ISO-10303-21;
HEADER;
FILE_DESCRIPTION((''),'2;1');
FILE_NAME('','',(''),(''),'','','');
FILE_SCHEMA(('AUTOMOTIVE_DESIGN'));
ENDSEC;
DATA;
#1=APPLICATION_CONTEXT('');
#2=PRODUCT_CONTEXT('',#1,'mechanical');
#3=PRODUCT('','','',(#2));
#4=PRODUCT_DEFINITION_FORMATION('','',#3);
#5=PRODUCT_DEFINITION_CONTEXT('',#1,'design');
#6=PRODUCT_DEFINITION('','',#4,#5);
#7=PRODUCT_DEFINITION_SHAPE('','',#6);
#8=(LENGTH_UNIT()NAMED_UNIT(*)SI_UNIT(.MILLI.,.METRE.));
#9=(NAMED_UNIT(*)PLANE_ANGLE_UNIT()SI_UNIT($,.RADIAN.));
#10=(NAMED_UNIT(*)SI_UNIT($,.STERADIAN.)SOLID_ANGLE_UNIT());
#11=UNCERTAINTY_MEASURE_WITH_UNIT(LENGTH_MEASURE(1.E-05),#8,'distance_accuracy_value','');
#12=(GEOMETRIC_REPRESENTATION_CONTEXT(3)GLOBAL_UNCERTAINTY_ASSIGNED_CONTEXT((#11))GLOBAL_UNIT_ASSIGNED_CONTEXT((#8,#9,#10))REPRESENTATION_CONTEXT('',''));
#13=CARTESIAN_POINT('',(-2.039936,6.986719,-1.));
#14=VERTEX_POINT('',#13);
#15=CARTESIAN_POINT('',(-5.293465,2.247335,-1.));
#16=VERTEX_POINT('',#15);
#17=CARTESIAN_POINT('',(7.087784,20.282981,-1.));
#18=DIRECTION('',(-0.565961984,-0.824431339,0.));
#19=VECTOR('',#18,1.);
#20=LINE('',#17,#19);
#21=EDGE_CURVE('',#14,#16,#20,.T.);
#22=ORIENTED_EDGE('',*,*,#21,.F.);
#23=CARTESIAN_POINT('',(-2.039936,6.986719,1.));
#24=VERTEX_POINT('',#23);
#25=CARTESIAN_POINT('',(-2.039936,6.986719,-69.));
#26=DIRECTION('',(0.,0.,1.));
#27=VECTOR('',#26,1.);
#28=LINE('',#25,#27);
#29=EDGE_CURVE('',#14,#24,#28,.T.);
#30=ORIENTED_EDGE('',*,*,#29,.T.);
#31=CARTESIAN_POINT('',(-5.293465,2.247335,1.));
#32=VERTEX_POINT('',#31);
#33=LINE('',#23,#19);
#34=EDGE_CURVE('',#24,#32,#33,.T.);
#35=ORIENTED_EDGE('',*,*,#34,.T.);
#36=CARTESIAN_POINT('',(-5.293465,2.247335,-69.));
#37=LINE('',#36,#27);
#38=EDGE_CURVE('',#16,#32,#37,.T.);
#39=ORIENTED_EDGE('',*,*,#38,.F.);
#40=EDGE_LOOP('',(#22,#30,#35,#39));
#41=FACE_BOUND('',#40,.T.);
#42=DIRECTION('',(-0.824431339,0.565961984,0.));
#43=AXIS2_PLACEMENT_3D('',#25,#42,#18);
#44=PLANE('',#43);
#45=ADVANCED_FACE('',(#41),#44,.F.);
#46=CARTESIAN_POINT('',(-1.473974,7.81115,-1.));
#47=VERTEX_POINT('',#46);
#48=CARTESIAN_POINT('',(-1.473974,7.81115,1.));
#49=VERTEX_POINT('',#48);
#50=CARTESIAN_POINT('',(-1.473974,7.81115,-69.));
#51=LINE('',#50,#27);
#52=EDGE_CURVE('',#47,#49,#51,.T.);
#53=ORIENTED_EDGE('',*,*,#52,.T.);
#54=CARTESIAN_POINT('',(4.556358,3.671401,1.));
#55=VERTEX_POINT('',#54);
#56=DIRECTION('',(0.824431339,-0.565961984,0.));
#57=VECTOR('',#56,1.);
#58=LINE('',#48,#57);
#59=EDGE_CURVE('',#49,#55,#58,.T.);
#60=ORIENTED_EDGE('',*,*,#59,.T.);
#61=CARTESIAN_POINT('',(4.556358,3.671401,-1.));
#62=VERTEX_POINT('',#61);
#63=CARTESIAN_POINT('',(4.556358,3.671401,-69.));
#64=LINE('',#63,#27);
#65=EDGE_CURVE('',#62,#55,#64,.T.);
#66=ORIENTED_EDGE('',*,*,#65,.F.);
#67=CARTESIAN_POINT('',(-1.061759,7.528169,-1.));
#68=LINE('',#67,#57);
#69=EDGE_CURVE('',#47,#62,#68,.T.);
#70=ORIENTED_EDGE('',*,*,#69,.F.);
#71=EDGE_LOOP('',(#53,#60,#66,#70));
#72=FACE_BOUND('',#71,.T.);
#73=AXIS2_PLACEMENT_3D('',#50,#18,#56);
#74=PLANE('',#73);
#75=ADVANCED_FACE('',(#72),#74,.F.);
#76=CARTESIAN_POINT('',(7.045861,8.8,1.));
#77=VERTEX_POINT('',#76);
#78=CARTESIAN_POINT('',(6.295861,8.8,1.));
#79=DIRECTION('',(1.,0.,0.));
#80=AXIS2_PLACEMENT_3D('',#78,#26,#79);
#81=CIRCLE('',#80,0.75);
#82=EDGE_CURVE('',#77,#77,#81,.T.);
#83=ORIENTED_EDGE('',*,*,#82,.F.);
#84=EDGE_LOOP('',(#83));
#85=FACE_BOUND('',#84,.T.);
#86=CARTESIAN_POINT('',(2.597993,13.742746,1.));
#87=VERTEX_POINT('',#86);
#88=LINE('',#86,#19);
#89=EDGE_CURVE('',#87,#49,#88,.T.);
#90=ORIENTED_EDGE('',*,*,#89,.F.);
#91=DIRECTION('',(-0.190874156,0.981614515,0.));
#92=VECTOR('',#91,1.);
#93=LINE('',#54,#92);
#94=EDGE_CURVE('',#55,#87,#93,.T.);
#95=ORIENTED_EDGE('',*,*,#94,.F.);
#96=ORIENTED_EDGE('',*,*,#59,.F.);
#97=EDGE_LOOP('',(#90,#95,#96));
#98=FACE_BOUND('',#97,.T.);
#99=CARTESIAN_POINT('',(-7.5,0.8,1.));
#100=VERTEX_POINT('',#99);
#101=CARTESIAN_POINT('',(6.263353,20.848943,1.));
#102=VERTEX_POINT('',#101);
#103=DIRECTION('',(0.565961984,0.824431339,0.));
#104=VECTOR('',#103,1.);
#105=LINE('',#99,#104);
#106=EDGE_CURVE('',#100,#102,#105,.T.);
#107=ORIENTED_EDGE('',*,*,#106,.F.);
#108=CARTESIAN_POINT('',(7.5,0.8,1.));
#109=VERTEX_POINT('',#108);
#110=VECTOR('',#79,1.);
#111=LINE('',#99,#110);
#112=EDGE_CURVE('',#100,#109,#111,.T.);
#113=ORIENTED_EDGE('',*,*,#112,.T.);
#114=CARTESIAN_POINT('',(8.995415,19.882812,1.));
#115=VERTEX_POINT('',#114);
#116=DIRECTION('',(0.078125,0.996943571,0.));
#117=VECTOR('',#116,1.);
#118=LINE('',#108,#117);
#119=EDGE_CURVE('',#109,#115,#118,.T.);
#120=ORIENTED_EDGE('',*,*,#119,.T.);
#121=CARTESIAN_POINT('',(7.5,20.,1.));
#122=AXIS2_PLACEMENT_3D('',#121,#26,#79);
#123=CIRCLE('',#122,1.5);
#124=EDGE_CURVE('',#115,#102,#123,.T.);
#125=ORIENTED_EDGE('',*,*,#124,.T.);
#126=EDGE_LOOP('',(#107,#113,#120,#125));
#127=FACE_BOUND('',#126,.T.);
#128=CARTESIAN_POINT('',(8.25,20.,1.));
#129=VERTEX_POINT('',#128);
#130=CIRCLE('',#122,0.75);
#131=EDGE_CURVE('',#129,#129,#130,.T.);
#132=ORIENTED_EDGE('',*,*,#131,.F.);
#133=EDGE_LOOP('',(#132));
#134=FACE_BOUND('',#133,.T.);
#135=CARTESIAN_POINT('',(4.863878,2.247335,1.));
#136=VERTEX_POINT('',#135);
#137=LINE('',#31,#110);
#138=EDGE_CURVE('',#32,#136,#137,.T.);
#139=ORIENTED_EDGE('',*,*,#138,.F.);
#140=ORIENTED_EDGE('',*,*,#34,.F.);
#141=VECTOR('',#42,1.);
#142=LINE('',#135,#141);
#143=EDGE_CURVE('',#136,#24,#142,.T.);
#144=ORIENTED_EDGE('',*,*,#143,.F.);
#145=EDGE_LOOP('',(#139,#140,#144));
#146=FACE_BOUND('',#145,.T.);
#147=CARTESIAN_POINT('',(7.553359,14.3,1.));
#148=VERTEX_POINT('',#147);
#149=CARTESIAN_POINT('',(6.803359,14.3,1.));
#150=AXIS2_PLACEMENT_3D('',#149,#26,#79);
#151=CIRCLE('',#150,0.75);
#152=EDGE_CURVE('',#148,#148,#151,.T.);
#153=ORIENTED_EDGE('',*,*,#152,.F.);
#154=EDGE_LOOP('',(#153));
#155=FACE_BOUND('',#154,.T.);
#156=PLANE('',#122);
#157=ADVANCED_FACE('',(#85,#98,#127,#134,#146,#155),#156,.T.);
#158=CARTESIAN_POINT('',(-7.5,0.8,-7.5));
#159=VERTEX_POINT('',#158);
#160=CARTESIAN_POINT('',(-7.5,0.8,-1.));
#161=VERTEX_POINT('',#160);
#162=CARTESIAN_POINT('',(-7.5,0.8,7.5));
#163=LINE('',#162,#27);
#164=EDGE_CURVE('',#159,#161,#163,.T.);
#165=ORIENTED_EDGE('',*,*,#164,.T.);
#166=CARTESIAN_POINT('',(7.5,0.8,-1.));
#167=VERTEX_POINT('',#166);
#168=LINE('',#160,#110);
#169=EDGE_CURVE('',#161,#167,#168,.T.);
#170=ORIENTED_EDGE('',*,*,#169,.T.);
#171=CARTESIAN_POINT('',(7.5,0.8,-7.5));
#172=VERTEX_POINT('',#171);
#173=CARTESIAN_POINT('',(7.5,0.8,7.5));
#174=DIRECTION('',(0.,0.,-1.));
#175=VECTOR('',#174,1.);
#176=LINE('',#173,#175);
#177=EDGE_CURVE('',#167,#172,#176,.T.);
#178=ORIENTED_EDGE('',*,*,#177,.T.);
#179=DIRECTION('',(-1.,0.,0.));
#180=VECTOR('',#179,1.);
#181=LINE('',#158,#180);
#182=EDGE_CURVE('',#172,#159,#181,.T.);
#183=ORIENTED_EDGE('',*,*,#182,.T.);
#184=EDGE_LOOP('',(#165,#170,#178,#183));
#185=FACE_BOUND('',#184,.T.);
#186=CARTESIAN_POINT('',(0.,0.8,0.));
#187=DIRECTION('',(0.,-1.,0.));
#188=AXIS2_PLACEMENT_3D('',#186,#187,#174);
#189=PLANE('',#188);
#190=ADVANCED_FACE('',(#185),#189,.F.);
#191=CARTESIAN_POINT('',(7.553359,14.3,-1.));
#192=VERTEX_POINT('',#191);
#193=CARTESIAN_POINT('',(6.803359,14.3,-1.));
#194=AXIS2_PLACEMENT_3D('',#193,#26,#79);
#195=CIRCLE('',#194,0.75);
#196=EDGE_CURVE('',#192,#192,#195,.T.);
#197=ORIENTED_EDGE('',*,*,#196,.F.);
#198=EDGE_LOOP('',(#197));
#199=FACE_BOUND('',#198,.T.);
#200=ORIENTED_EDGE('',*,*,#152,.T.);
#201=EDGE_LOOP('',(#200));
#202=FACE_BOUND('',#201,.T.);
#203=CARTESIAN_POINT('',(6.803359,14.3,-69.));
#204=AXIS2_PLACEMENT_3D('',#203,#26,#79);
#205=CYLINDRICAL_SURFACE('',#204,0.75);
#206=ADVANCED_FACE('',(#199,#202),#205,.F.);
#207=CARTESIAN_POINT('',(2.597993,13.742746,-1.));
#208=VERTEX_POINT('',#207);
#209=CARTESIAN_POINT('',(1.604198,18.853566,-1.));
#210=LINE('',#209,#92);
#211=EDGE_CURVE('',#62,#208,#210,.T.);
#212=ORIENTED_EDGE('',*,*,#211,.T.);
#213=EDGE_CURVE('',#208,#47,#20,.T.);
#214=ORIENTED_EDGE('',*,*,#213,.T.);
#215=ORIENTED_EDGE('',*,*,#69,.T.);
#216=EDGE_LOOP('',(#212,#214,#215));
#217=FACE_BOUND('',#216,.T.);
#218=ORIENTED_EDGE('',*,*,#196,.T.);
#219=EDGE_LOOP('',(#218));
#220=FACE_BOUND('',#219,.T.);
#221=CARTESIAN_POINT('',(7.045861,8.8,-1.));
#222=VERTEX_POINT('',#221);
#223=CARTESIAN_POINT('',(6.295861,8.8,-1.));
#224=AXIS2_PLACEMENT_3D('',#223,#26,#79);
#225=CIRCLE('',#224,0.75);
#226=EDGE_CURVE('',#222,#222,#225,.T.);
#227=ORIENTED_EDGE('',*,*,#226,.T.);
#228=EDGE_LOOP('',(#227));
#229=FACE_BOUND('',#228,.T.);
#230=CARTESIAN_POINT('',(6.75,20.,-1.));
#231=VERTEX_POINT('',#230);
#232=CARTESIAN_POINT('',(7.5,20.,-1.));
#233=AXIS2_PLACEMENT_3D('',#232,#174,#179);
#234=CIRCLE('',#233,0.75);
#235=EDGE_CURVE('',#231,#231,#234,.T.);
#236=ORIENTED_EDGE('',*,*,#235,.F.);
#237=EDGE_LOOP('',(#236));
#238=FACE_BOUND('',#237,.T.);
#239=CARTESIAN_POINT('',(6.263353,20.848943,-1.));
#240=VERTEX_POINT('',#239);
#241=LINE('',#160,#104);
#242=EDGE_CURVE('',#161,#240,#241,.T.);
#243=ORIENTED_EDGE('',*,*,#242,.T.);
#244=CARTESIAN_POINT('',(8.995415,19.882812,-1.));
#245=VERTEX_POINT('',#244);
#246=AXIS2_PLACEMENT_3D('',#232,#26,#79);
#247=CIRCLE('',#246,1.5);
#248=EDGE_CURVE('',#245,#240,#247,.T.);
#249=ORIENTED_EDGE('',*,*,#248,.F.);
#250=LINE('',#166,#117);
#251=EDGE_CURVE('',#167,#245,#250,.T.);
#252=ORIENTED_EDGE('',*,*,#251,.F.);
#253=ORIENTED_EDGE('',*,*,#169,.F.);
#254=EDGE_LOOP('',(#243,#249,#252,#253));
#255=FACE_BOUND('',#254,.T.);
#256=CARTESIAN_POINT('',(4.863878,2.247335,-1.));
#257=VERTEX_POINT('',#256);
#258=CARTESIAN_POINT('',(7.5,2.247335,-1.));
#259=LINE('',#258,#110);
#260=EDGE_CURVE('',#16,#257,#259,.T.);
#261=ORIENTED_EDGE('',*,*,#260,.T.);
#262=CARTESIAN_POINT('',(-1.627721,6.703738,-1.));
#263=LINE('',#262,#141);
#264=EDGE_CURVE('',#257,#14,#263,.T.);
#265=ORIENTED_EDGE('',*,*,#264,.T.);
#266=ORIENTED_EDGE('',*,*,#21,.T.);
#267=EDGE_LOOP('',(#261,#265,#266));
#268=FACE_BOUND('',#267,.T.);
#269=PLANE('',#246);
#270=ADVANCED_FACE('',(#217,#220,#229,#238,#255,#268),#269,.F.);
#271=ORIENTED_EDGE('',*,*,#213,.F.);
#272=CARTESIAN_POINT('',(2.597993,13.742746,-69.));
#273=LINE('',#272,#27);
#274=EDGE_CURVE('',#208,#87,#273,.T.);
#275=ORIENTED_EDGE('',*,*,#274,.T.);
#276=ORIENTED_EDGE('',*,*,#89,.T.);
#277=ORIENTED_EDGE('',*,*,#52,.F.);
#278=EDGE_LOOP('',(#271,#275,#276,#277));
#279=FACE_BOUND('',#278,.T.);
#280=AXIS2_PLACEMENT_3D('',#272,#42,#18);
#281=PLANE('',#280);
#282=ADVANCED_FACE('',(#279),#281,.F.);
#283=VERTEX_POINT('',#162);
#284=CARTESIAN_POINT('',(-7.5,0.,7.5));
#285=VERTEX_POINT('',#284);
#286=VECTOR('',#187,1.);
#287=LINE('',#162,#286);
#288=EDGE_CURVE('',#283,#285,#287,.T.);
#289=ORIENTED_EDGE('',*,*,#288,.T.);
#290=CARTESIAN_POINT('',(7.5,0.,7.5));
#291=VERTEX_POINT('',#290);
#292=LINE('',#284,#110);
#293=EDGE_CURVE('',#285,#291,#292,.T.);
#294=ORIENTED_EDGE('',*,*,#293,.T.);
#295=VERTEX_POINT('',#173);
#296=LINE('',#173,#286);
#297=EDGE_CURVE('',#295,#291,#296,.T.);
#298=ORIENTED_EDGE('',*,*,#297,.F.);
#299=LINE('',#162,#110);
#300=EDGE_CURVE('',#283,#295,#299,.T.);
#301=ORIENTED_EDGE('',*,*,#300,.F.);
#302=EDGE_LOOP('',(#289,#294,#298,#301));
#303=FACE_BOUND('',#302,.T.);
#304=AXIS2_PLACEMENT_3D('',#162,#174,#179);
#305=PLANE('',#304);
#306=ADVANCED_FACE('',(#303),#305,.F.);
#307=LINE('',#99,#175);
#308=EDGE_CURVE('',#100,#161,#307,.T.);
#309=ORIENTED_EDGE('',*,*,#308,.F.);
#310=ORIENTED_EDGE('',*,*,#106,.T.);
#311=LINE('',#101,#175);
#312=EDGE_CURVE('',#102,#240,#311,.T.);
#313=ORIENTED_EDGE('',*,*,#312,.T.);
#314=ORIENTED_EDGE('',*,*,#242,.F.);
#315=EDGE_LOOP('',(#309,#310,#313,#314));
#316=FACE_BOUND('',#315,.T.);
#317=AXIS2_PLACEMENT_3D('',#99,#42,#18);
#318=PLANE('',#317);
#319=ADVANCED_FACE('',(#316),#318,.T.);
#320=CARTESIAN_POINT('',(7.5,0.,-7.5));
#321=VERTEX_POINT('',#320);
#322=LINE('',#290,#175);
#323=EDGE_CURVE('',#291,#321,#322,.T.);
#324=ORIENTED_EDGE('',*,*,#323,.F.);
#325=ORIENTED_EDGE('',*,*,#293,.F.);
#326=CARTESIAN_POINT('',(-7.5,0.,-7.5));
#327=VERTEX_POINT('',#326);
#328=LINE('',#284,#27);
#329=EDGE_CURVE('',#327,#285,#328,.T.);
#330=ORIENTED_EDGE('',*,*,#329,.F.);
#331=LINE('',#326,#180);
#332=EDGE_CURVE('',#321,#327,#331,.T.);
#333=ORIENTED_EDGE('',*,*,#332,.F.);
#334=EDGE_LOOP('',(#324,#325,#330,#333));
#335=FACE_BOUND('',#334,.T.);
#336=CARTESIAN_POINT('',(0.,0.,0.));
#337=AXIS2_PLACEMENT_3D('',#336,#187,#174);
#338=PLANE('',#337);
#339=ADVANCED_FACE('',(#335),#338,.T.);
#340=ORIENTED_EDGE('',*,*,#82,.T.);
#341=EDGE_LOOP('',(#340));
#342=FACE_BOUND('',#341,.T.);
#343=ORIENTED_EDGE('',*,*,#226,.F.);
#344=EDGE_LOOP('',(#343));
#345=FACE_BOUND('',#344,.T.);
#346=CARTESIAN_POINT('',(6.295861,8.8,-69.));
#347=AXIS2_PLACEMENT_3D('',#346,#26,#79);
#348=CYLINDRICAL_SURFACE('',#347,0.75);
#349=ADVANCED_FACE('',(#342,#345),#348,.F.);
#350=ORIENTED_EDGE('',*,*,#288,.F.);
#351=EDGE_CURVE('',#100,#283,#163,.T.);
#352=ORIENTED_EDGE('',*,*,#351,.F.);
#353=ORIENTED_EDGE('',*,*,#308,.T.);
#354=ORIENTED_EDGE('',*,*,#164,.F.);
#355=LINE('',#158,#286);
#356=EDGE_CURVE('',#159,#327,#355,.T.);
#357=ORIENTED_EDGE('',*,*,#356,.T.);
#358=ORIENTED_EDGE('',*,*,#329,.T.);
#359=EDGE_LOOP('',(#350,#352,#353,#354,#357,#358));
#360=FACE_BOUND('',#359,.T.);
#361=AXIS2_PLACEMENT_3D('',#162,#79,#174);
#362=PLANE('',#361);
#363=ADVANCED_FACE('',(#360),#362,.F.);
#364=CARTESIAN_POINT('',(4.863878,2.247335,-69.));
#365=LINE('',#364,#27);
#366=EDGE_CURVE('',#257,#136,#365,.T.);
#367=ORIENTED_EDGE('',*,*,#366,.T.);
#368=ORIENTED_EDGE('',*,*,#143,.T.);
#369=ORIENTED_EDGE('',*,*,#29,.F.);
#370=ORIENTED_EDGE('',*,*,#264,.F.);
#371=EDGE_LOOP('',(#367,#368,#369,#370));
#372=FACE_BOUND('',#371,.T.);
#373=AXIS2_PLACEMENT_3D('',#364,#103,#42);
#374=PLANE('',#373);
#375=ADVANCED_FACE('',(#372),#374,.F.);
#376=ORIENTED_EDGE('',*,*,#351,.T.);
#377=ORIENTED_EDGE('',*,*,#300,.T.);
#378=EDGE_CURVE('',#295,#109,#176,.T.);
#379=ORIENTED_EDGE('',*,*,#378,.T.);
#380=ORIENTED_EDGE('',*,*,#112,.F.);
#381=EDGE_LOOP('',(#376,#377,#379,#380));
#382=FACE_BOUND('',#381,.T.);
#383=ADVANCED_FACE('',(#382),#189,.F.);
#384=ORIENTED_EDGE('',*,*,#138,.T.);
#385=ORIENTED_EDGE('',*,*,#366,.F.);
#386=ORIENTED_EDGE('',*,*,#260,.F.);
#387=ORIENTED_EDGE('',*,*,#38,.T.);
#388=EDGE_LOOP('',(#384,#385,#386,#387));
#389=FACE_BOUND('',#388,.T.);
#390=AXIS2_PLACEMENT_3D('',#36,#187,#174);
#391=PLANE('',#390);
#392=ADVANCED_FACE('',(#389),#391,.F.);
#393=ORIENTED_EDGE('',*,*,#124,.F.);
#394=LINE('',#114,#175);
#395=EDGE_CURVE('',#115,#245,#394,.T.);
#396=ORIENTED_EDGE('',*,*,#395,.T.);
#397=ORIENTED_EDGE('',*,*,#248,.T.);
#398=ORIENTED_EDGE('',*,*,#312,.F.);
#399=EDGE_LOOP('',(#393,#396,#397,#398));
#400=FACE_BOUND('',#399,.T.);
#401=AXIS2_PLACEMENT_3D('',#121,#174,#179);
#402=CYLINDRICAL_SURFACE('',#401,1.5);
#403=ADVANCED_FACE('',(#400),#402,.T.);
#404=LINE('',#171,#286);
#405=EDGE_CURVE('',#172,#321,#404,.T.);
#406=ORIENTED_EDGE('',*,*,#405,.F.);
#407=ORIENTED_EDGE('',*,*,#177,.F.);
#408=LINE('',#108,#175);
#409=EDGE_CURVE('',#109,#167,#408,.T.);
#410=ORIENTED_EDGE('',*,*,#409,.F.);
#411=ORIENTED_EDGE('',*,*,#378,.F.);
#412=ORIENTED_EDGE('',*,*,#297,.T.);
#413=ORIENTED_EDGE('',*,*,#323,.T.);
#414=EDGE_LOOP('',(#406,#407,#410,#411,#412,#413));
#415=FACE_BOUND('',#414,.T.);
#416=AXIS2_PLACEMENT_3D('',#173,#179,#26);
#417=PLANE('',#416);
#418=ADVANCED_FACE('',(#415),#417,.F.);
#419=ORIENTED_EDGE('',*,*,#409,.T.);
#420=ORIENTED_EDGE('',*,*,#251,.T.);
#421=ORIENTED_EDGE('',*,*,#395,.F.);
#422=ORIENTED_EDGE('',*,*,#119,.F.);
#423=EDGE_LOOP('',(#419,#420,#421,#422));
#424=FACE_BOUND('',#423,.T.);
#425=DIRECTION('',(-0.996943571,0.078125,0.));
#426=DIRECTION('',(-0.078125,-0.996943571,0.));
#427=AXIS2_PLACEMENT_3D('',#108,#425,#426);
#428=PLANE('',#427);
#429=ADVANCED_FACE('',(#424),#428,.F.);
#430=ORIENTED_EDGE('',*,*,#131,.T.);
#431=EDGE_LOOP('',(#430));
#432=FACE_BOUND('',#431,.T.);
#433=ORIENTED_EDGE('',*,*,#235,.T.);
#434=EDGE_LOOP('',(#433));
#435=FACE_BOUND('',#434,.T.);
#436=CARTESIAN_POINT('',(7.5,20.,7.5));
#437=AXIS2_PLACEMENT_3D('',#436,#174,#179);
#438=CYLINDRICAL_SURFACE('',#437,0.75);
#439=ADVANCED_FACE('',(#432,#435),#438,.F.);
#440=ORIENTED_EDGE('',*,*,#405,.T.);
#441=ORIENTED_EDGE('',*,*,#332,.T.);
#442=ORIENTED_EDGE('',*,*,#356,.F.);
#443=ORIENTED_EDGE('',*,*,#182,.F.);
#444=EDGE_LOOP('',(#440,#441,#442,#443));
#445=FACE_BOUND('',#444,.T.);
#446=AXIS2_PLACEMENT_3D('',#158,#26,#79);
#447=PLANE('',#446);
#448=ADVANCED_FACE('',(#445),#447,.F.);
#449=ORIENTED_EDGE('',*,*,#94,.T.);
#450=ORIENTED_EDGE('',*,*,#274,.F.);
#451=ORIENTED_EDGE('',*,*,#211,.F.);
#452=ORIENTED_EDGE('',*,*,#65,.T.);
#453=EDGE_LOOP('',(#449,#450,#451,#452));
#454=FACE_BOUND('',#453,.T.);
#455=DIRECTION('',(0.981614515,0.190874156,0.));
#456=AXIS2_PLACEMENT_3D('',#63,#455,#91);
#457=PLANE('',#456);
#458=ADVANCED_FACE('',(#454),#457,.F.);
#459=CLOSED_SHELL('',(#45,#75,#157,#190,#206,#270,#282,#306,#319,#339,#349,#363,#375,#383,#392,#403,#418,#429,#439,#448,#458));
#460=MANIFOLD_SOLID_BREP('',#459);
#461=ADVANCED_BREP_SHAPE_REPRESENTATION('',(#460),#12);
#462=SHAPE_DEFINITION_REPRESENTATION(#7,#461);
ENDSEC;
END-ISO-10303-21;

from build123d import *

# Parameters (mm, degrees)
SKETCH1_W           = 15
SKETCH1_H           = 15
BOSS_EXTRUDE1_DEPTH = 0.8
BOSS_EXTRUDE2_DEPTH = 1
SKETCH3_R           = 0.75
CUT_EXTRUDE2_DEPTH  = 9.5
SKETCH6_R           = 0.75
CUT_EXTRUDE3_DEPTH  = 70


with BuildPart() as part:
    # Sketch1 → Boss-Extrude1 (new body)
    with BuildSketch(Plane(origin=(0, 0, 0), x_dir=(1, 0, 0), z_dir=(0, 1, 0))):
        Rectangle(SKETCH1_W, SKETCH1_H)
    extrude(amount=BOSS_EXTRUDE1_DEPTH)

    # Sketch2 → Boss-Extrude2 (add, symmetric)
    with BuildSketch(Plane.XY):
        with BuildLine():
            Line((-7.5, 0.8), (6.263352991, 20.848942976))
            ThreePointArc((6.263352991, 20.848942976), (8.00009228, 21.414180933), (8.995415357, 19.8828125))
            Line((8.995415357, 19.8828125), (7.5, 0.8))
            Line((7.5, 0.8), (-7.5, 0.8))
        make_face()
    extrude(amount=BOSS_EXTRUDE2_DEPTH, both=True)

    # Sketch3 → Cut-Extrude2 (cut, through all)
    with BuildSketch(Plane(origin=(0, 0, -1), x_dir=(-1, 0, 0), z_dir=(0, 0, -1))):
        with Locations((-7.5, 20)):
            Circle(SKETCH3_R)
    extrude(amount=-CUT_EXTRUDE2_DEPTH, mode=Mode.SUBTRACT)

    # Sketch6 → Cut-Extrude3 (cut)
    with BuildSketch(Plane.XY.offset(1)):
        with Locations((6.803358906, 14.3)):
            Circle(SKETCH6_R)
        with Locations((6.295860941, 8.8)):
            Circle(SKETCH6_R)
        Polygon((-2.039936244, 6.986718852), (-5.293464788, 2.247335339), (4.863877808, 2.247335339), align=None)
        Polygon((-1.47397426, 7.811150191), (4.556357867, 3.671401287), (2.597993052, 13.742745529), align=None)
    extrude(amount=-CUT_EXTRUDE3_DEPTH, mode=Mode.SUBTRACT)


solid = part.part
